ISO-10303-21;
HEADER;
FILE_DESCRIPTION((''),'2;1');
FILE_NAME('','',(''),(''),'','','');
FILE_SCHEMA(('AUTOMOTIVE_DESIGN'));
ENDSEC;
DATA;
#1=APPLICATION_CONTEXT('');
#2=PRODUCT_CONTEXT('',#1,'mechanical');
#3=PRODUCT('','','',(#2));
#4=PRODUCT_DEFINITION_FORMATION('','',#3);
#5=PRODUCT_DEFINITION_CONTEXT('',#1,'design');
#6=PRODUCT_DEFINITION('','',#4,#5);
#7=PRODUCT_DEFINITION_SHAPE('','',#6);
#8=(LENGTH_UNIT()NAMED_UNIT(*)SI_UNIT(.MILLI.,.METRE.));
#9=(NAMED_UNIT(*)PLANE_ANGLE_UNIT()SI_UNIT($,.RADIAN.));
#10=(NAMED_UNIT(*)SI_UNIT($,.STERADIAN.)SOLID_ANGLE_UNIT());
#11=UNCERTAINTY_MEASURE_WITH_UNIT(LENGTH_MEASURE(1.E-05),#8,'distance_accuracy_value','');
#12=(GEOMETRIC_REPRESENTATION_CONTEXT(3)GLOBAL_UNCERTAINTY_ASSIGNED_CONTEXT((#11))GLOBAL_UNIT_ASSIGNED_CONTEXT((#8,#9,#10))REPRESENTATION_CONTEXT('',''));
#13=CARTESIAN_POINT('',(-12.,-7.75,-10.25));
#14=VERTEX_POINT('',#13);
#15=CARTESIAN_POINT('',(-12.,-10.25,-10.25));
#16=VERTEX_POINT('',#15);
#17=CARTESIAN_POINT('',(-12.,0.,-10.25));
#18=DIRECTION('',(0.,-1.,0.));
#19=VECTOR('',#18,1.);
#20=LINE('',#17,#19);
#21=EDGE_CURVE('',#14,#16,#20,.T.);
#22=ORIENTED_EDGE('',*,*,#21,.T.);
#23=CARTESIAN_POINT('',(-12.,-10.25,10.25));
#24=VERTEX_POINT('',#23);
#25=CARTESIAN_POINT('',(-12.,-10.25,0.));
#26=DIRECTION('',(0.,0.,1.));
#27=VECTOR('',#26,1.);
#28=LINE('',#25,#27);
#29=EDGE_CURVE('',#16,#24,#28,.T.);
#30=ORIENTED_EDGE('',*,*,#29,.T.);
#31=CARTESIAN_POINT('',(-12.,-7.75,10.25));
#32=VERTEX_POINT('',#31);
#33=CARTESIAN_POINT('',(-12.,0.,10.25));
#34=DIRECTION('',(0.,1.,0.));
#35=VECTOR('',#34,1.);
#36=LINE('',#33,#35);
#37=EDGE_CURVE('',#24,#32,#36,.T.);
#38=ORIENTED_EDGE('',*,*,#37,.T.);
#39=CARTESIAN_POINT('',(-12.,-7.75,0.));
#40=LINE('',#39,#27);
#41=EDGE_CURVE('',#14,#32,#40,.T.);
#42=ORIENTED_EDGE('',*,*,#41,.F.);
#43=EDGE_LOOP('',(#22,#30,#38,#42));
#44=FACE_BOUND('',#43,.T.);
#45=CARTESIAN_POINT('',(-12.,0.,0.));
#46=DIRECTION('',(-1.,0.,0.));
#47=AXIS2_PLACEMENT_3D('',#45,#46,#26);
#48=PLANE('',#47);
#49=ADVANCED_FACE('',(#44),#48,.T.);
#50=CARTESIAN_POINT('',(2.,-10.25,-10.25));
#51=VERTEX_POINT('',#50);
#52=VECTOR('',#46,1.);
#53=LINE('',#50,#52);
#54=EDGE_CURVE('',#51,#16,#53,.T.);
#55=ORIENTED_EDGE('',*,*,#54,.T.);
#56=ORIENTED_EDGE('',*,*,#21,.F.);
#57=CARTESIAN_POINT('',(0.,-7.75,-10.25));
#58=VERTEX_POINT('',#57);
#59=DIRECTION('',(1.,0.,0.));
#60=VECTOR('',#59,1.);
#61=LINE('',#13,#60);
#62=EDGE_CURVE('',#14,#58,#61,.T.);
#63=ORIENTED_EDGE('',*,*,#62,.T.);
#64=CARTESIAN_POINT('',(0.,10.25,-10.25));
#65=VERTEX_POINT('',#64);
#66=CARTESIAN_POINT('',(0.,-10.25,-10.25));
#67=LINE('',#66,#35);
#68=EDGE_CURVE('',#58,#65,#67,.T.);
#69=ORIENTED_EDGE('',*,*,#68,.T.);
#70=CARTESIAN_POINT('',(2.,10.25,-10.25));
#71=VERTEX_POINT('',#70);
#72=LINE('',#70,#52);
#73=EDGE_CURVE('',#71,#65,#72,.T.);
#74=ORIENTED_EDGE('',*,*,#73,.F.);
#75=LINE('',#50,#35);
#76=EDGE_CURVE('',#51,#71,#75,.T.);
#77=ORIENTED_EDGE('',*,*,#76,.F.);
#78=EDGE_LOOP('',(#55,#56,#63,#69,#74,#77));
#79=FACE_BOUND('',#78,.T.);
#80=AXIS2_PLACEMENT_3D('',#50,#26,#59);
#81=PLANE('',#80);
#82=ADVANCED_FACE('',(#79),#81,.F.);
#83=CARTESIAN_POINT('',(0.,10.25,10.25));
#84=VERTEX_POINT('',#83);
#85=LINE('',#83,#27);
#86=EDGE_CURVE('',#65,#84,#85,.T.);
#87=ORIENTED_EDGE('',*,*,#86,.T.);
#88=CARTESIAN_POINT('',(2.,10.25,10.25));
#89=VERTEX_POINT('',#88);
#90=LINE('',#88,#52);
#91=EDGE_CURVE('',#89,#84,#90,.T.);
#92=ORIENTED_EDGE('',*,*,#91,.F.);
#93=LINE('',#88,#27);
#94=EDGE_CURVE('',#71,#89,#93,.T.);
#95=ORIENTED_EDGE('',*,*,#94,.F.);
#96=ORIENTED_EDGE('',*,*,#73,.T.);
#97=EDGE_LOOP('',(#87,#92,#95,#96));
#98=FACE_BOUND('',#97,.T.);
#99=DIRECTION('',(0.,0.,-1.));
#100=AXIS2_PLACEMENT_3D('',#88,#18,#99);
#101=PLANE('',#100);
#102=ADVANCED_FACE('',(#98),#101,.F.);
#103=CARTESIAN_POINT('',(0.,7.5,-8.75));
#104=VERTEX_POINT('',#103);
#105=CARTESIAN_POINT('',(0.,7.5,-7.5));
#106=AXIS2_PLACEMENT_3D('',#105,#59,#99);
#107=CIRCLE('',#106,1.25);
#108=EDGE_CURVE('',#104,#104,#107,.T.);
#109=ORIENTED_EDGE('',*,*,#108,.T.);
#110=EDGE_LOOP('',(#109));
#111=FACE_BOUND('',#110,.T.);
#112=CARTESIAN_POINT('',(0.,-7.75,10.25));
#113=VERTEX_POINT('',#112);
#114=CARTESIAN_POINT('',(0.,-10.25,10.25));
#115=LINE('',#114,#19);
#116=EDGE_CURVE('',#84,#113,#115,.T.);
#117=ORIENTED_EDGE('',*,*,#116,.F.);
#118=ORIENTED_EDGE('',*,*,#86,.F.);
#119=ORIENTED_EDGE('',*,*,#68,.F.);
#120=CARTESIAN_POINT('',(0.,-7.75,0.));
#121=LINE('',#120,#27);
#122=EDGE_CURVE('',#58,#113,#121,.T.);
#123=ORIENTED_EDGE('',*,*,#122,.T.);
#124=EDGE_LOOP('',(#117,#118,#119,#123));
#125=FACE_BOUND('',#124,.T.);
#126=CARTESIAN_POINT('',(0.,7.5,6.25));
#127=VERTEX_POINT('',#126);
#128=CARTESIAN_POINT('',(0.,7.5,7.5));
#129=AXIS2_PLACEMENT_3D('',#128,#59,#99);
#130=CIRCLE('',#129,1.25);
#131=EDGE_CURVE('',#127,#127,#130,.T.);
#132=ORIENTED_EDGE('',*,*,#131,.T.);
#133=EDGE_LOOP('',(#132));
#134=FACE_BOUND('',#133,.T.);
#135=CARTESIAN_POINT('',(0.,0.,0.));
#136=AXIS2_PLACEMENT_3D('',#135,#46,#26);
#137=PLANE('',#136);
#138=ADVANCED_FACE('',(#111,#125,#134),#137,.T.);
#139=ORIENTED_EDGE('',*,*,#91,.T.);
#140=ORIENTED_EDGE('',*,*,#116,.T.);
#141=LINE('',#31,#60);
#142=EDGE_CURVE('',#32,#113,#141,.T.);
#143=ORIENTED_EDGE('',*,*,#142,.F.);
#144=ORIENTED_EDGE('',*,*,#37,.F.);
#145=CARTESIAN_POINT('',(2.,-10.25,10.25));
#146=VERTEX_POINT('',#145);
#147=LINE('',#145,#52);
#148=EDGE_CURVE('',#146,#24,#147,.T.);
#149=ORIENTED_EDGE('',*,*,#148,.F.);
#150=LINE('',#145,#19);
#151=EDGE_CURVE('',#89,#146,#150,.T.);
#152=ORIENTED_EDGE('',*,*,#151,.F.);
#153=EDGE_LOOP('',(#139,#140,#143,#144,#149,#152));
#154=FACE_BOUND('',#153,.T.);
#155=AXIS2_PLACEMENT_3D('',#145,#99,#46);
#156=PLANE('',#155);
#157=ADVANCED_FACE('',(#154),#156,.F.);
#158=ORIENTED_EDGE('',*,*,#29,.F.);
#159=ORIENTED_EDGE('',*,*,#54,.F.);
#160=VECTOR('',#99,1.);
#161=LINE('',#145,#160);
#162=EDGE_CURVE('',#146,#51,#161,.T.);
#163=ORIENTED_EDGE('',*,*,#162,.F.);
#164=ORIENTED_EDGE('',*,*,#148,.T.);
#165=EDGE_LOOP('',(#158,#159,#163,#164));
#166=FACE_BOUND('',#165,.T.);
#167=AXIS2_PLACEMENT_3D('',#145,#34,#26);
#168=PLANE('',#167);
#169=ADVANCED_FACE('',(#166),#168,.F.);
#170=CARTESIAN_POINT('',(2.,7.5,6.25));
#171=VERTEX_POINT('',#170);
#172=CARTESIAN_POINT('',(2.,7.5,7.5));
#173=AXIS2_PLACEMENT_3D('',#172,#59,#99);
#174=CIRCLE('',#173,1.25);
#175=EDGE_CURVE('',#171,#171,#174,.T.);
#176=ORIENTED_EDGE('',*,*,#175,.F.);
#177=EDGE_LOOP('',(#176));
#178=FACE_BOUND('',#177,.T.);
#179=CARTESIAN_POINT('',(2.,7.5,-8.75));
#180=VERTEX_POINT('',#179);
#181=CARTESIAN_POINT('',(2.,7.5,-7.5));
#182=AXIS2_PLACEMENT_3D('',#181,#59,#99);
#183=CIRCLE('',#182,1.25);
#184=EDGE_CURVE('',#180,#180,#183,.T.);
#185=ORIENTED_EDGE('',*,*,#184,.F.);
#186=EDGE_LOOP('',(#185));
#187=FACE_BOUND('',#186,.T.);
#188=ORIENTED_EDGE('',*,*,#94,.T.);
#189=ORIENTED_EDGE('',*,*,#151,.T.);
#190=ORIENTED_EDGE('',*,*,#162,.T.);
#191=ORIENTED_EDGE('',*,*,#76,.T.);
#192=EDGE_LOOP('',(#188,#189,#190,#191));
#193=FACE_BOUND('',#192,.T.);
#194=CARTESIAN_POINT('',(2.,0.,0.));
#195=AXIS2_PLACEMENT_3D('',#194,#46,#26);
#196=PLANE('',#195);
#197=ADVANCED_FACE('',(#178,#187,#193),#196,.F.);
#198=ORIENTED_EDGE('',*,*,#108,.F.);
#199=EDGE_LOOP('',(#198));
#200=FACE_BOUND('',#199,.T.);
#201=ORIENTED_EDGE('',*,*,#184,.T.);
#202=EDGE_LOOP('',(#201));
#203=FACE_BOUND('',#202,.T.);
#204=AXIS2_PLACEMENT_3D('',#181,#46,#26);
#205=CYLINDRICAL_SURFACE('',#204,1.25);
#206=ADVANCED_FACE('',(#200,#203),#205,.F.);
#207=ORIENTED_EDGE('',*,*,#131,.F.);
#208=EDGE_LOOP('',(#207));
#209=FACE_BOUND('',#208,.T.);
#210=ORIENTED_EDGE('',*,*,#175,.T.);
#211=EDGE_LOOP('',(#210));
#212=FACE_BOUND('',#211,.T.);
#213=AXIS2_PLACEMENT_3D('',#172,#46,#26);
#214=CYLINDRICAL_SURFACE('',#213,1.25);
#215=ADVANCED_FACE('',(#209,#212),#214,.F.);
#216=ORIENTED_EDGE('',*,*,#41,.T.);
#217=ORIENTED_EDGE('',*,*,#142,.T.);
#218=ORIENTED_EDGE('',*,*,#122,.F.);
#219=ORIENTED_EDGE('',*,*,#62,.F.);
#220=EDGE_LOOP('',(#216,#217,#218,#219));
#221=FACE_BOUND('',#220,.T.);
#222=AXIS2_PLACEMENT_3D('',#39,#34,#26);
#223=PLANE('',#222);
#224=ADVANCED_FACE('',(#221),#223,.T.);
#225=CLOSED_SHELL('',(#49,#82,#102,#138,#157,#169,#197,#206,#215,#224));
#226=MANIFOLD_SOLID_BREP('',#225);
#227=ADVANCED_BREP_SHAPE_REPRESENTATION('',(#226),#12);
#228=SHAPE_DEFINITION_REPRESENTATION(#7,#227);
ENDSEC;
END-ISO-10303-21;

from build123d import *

# Parameters (mm, degrees)
SKETCH1_W           = 20.5
SKETCH1_H           = 20.5
SKETCH1_R           = 1.25
BOSS_EXTRUDE1_DEPTH = 2
SKETCH2_W           = 20.5
SKETCH2_H           = 2.5
BOSS_EXTRUDE2_DEPTH = 12


with BuildPart() as part:
    # Sketch1 → Boss-Extrude1 (new body)
    with BuildSketch(Plane(origin=(0, 0, 0), x_dir=(0, 0, -1), z_dir=(1, 0, 0))):
        Rectangle(SKETCH1_W, SKETCH1_H)
        with Locations((-7.5, 7.5)):
            Circle(SKETCH1_R, mode=Mode.SUBTRACT)
        with Locations((7.5, 7.5)):
            Circle(SKETCH1_R, mode=Mode.SUBTRACT)
    extrude(amount=BOSS_EXTRUDE1_DEPTH)

    # Sketch2 → Boss-Extrude2 (add)
    with BuildSketch(Plane.ZY):
        with Locations((0, -9)):
            Rectangle(SKETCH2_W, SKETCH2_H)
    extrude(amount=BOSS_EXTRUDE2_DEPTH)


solid = part.part
